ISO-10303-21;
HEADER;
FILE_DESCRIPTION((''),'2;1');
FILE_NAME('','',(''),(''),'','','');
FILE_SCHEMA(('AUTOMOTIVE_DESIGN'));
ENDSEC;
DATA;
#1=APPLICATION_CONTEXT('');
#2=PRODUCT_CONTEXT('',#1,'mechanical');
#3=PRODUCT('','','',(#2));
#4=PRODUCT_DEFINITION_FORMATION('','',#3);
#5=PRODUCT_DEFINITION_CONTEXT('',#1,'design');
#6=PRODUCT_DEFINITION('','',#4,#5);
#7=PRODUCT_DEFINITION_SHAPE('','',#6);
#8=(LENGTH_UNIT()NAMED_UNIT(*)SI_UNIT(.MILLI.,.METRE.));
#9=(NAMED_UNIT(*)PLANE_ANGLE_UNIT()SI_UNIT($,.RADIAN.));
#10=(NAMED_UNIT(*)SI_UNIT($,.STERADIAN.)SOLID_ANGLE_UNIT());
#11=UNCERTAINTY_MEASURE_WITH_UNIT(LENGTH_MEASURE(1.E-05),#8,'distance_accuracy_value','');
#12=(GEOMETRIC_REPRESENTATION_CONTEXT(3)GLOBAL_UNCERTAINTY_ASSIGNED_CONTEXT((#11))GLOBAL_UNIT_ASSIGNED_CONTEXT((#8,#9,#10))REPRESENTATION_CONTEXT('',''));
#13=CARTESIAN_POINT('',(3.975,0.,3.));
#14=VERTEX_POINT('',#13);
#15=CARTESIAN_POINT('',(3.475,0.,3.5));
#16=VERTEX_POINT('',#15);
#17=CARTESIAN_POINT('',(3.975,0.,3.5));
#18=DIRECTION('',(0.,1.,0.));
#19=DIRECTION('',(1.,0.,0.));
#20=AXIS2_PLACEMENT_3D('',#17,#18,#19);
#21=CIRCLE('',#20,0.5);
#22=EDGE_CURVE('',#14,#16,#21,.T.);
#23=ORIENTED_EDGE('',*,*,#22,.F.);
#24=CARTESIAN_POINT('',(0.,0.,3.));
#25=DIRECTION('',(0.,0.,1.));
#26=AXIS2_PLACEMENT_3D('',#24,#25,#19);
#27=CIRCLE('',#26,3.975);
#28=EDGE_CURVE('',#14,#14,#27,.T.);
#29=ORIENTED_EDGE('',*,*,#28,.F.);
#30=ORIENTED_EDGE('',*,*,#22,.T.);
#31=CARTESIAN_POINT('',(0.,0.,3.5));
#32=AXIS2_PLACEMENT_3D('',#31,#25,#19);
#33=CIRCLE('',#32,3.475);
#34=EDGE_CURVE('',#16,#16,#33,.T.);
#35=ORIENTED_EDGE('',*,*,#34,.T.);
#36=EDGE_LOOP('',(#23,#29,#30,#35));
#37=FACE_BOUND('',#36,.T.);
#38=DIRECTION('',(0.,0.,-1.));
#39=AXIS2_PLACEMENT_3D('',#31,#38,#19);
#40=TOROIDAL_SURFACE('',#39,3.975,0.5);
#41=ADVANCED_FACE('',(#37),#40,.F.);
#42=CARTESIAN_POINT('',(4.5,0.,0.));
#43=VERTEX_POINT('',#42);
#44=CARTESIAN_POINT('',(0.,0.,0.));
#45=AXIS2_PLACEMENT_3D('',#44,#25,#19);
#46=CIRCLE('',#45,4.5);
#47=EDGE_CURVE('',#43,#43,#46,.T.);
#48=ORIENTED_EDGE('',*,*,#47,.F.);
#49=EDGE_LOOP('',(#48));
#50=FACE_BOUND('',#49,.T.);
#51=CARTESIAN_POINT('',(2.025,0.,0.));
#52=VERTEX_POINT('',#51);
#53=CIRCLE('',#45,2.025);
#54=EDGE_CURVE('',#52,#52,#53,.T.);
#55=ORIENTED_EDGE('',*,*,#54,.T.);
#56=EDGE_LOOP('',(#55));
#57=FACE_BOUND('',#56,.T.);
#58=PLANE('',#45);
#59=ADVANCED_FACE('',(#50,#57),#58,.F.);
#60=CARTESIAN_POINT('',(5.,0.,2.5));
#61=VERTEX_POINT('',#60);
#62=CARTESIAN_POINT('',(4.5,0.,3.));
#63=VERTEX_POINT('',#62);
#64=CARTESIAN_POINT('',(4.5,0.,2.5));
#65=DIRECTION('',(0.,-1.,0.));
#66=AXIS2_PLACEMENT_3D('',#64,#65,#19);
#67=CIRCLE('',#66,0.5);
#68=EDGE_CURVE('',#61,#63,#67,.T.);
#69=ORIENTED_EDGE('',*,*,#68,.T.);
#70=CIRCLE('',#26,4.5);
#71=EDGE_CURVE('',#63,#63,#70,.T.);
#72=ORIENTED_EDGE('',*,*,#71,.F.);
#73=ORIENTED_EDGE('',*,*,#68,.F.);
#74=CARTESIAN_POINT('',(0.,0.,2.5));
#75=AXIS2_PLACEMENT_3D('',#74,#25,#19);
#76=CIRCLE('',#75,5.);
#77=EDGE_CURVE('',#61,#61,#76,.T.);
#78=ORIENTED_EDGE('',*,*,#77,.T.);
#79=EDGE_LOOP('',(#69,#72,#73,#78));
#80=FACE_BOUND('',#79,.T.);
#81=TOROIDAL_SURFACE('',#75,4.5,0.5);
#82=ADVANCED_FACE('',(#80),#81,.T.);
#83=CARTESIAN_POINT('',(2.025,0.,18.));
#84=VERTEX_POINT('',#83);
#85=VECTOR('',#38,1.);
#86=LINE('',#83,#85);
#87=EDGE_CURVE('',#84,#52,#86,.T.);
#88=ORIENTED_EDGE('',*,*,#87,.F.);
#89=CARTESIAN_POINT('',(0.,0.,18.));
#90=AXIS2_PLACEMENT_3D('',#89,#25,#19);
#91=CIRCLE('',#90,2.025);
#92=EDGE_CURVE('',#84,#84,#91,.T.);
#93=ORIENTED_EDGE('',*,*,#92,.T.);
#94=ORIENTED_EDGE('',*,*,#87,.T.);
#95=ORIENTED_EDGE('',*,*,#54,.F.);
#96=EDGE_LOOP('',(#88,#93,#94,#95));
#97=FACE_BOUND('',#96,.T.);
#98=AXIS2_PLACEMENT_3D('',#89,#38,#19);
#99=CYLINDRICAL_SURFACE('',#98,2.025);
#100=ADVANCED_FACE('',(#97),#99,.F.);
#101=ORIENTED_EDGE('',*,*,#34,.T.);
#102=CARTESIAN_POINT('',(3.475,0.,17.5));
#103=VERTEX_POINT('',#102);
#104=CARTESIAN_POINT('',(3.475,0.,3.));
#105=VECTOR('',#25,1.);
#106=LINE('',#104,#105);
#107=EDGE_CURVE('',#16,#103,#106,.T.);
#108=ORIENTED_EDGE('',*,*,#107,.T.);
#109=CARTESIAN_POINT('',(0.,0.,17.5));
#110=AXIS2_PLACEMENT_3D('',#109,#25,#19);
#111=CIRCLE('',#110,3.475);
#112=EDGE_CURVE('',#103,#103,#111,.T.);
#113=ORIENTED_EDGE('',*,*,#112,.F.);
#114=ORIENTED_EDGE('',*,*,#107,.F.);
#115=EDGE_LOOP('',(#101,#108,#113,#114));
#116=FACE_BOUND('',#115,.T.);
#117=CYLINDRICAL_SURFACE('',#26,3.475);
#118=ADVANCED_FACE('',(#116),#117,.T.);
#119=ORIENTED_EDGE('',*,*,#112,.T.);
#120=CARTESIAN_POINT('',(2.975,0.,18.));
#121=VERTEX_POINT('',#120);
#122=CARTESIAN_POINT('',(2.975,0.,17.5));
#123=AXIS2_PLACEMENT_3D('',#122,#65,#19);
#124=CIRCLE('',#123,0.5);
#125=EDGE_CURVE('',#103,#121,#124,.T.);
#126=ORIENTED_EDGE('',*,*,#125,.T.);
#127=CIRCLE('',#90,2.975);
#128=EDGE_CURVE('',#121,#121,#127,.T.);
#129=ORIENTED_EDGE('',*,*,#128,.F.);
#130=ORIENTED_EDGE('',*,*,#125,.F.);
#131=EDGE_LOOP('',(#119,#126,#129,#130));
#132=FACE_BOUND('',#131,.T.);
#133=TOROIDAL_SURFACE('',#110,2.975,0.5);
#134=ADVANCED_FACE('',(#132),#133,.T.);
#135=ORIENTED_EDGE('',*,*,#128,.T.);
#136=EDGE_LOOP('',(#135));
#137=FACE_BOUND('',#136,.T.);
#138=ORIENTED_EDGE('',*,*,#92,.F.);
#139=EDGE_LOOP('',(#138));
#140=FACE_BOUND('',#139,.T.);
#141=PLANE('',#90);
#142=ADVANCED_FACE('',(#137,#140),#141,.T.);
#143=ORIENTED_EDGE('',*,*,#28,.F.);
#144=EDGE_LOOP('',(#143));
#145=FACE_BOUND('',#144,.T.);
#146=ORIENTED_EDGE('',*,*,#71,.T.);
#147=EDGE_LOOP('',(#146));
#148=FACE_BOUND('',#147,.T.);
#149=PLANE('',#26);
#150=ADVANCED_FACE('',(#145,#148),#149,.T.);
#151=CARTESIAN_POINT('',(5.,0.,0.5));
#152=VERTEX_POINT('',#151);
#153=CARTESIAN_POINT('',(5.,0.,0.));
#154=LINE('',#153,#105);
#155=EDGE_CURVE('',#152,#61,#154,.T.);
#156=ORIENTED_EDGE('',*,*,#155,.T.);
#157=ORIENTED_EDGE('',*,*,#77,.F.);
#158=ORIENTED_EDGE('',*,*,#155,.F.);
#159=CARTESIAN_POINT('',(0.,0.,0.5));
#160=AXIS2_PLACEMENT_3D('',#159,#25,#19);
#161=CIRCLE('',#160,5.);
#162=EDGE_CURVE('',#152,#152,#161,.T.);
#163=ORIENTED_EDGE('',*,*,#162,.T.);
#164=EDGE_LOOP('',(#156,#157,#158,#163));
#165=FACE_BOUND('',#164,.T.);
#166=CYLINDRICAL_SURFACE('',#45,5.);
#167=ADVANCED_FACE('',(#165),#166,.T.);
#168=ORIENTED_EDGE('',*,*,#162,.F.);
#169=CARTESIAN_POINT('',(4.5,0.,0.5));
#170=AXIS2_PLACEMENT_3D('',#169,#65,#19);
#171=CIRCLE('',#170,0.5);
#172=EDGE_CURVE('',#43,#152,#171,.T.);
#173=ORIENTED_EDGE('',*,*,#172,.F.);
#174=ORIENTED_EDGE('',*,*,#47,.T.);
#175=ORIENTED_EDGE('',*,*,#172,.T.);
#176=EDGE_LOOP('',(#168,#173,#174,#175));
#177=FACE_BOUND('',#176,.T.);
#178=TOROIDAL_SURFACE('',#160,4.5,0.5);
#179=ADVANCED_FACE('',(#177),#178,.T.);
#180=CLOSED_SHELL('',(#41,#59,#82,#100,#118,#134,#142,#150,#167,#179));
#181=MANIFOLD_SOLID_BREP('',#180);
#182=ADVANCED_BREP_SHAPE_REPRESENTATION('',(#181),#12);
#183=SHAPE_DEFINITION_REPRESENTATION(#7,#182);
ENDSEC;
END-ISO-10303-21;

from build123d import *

# Parameters (mm, degrees)
F2_R = 0.5


with BuildPart() as f1:
    # F0 (on Front) → F1 (revolve)
    with BuildSketch(Plane.XZ):
        Polygon((2.025, 18), (2.025, 0), (5, 0), (5, 3), (3.475, 3), (3.475, 18), align=None)
    revolve(axis=Axis((0, 0, 20), (0, 0, 1)))

    # F2
    f2_edges = [f1.edges().sort_by_distance(p)[0] for p in [
        (-3.475, 0, 3),
        (-3.475, 0, 18),
        (3.475, 0, 10.5),
        (-5, 0, 0),
        (-5, 0, 3),
        (5, 0, 1.5),
    ]]
    fillet(f2_edges, radius=F2_R)


solid = f1.part
